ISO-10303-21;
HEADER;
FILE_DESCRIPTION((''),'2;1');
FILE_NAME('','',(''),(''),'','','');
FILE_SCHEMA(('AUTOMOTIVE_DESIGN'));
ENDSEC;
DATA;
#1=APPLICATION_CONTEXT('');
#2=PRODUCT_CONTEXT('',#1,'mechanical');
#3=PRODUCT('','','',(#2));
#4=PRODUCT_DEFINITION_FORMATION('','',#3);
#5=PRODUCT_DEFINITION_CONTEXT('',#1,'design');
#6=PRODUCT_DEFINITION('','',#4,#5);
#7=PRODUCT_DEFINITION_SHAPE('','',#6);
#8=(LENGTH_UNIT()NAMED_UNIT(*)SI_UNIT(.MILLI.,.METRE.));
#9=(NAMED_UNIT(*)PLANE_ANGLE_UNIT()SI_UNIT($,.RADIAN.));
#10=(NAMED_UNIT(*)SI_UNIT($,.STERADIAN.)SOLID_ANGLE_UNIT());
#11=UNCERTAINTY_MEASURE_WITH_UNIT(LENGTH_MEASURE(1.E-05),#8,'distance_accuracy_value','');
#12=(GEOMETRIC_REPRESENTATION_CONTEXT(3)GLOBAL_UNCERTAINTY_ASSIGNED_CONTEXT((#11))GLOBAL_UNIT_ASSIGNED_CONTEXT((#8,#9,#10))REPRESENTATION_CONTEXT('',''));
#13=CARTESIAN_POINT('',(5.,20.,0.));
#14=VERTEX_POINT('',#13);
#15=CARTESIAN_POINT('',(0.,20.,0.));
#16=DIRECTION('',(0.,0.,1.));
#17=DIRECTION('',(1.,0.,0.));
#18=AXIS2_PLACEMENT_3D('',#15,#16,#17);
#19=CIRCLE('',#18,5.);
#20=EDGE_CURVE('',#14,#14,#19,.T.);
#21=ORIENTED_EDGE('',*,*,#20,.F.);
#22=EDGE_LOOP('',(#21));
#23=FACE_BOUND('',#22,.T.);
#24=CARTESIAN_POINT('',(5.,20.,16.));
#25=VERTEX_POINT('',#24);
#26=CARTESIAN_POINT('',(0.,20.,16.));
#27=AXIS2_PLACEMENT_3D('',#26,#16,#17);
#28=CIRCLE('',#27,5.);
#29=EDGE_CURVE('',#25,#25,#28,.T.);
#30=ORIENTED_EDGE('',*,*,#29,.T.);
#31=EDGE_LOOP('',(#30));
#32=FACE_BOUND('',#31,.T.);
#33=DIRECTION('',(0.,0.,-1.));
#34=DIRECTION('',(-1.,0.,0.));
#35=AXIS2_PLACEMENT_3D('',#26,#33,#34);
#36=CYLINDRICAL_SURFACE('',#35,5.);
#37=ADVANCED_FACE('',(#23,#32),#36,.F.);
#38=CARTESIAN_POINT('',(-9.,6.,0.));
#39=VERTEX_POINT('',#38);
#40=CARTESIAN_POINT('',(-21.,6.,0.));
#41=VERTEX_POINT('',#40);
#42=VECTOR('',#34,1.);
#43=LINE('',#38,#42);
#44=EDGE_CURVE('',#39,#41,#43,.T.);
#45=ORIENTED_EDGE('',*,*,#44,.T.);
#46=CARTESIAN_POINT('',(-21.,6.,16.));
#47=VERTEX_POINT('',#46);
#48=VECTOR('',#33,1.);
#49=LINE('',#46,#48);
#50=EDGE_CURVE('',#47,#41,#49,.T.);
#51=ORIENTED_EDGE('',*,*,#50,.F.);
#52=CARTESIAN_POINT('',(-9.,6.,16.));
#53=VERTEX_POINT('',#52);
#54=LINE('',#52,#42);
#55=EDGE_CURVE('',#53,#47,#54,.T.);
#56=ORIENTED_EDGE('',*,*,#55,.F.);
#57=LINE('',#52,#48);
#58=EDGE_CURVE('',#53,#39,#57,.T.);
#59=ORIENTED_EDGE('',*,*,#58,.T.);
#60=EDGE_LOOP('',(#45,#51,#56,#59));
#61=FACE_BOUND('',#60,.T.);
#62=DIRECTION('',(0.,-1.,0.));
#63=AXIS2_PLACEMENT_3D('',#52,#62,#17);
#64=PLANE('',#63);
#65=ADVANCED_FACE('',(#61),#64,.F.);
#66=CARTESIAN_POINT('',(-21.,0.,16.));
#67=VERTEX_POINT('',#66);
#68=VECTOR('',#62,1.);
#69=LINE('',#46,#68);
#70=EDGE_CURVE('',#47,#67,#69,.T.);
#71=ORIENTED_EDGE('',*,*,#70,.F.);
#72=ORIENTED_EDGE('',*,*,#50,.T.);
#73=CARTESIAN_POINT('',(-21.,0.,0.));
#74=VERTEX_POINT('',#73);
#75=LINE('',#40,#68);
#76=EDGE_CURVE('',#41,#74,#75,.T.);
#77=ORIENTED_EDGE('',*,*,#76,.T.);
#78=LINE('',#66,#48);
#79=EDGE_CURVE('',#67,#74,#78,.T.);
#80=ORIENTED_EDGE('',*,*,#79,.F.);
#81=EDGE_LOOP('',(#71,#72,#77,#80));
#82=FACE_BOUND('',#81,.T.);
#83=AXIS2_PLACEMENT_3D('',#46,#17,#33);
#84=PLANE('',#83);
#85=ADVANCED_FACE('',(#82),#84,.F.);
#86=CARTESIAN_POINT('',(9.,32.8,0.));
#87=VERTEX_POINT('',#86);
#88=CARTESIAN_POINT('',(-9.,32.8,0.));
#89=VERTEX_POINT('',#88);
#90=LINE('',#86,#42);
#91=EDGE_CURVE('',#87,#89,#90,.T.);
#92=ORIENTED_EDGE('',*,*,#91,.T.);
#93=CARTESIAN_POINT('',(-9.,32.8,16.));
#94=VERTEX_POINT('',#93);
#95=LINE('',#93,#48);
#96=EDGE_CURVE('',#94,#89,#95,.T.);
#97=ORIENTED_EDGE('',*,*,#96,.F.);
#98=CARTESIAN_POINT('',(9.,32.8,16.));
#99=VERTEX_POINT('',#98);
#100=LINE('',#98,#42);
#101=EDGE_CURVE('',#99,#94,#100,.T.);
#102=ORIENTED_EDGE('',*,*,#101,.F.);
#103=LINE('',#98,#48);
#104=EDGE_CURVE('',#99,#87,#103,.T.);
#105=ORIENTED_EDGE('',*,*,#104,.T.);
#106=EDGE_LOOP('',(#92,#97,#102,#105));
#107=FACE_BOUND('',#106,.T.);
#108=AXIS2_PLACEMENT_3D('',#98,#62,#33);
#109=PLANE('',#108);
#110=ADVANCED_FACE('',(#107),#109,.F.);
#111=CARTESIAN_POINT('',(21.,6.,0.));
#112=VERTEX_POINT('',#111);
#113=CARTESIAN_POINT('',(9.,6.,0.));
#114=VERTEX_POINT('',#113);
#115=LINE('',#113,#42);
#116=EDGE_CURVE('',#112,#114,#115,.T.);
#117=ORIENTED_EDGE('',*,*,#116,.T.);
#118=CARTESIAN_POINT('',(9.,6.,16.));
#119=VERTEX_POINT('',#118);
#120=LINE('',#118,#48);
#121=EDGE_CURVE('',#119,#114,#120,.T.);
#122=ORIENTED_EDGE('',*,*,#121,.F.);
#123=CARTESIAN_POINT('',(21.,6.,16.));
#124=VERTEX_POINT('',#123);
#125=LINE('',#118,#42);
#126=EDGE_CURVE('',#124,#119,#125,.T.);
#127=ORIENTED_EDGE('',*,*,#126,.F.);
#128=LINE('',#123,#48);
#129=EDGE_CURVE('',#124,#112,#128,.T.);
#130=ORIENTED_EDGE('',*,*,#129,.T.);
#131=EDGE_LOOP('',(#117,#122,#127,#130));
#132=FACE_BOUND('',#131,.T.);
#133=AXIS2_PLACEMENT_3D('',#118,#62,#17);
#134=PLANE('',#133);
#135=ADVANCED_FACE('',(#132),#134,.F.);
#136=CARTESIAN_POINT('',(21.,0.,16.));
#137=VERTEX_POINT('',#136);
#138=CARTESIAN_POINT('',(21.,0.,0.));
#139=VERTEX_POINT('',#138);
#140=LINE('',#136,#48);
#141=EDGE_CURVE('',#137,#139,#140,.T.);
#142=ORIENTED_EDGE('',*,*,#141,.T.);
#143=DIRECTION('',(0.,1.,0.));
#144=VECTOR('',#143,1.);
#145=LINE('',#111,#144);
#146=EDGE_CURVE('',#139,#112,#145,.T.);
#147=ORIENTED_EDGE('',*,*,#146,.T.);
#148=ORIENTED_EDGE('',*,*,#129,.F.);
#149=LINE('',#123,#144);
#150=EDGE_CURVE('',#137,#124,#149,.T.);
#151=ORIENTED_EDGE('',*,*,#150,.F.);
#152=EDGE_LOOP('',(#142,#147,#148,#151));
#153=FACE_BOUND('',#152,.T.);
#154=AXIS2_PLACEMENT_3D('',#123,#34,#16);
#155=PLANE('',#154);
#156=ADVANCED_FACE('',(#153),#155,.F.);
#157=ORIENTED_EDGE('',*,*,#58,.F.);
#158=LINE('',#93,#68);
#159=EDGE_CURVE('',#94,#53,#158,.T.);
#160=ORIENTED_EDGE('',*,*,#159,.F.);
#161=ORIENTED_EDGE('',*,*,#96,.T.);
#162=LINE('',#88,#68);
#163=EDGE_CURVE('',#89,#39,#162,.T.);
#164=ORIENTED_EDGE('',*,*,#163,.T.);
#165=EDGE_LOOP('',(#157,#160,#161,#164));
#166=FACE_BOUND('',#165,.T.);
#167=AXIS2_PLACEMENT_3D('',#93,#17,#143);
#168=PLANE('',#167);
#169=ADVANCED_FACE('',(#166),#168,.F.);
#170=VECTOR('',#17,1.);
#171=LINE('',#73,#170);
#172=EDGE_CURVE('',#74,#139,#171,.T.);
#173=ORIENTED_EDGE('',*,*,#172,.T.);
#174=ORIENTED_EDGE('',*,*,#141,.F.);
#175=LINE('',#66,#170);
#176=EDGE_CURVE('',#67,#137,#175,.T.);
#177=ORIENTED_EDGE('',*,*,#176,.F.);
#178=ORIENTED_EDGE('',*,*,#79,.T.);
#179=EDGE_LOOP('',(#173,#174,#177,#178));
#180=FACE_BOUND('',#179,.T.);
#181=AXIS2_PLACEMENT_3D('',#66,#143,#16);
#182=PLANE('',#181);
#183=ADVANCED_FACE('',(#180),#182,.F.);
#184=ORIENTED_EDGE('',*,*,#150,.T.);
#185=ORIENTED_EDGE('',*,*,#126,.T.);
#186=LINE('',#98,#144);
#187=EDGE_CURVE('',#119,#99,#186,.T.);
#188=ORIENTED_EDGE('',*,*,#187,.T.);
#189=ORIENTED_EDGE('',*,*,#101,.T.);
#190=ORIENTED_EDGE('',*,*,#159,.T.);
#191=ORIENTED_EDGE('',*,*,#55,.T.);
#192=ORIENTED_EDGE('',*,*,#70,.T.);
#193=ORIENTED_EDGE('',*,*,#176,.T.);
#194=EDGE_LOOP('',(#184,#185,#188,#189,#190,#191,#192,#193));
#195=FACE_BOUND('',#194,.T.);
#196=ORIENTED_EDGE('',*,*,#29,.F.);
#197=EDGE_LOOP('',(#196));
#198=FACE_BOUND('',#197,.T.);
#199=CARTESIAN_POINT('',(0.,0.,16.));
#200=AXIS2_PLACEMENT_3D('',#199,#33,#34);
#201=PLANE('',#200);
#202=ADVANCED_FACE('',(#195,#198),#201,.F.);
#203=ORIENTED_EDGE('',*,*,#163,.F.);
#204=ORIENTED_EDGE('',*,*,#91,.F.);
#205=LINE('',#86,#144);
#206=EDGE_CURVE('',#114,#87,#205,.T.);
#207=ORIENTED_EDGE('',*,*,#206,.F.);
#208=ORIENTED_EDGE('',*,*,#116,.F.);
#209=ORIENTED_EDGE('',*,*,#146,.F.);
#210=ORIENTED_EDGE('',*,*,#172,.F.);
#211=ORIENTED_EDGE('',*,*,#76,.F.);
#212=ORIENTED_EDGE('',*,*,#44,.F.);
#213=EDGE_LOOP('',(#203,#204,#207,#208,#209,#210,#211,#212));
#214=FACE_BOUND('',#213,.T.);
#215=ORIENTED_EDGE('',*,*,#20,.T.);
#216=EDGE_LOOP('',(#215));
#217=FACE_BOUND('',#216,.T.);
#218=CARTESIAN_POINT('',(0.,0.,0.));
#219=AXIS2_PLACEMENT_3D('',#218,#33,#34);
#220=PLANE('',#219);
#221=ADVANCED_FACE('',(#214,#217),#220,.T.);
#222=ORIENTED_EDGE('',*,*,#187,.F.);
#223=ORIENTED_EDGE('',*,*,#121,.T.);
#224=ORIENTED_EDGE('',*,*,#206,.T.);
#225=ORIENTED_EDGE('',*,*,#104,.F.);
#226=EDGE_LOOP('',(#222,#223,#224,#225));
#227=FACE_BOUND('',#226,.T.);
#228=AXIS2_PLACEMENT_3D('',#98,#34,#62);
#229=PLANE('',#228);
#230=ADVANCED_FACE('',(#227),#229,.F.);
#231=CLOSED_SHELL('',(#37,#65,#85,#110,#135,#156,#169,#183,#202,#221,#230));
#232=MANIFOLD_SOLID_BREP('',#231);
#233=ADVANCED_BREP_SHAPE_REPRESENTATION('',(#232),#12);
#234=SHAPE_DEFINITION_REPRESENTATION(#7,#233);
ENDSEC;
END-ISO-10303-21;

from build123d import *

# Parameters (mm, degrees)
SKETCH_1_R      = 5
EXTRUDE_1_DEPTH = 16


with BuildPart() as part:
    # 草圖1 → 填料-伸長1 (new body)
    with BuildSketch(Plane.XY):
        Polygon((9, 32.8), (-9, 32.8), (-9, 6), (-21, 6), (-21, 0), (21, 0), (21, 6), (9, 6), align=None)
        with Locations((0, 20)):
            Circle(SKETCH_1_R, mode=Mode.SUBTRACT)
    extrude(amount=EXTRUDE_1_DEPTH)


solid = part.part
